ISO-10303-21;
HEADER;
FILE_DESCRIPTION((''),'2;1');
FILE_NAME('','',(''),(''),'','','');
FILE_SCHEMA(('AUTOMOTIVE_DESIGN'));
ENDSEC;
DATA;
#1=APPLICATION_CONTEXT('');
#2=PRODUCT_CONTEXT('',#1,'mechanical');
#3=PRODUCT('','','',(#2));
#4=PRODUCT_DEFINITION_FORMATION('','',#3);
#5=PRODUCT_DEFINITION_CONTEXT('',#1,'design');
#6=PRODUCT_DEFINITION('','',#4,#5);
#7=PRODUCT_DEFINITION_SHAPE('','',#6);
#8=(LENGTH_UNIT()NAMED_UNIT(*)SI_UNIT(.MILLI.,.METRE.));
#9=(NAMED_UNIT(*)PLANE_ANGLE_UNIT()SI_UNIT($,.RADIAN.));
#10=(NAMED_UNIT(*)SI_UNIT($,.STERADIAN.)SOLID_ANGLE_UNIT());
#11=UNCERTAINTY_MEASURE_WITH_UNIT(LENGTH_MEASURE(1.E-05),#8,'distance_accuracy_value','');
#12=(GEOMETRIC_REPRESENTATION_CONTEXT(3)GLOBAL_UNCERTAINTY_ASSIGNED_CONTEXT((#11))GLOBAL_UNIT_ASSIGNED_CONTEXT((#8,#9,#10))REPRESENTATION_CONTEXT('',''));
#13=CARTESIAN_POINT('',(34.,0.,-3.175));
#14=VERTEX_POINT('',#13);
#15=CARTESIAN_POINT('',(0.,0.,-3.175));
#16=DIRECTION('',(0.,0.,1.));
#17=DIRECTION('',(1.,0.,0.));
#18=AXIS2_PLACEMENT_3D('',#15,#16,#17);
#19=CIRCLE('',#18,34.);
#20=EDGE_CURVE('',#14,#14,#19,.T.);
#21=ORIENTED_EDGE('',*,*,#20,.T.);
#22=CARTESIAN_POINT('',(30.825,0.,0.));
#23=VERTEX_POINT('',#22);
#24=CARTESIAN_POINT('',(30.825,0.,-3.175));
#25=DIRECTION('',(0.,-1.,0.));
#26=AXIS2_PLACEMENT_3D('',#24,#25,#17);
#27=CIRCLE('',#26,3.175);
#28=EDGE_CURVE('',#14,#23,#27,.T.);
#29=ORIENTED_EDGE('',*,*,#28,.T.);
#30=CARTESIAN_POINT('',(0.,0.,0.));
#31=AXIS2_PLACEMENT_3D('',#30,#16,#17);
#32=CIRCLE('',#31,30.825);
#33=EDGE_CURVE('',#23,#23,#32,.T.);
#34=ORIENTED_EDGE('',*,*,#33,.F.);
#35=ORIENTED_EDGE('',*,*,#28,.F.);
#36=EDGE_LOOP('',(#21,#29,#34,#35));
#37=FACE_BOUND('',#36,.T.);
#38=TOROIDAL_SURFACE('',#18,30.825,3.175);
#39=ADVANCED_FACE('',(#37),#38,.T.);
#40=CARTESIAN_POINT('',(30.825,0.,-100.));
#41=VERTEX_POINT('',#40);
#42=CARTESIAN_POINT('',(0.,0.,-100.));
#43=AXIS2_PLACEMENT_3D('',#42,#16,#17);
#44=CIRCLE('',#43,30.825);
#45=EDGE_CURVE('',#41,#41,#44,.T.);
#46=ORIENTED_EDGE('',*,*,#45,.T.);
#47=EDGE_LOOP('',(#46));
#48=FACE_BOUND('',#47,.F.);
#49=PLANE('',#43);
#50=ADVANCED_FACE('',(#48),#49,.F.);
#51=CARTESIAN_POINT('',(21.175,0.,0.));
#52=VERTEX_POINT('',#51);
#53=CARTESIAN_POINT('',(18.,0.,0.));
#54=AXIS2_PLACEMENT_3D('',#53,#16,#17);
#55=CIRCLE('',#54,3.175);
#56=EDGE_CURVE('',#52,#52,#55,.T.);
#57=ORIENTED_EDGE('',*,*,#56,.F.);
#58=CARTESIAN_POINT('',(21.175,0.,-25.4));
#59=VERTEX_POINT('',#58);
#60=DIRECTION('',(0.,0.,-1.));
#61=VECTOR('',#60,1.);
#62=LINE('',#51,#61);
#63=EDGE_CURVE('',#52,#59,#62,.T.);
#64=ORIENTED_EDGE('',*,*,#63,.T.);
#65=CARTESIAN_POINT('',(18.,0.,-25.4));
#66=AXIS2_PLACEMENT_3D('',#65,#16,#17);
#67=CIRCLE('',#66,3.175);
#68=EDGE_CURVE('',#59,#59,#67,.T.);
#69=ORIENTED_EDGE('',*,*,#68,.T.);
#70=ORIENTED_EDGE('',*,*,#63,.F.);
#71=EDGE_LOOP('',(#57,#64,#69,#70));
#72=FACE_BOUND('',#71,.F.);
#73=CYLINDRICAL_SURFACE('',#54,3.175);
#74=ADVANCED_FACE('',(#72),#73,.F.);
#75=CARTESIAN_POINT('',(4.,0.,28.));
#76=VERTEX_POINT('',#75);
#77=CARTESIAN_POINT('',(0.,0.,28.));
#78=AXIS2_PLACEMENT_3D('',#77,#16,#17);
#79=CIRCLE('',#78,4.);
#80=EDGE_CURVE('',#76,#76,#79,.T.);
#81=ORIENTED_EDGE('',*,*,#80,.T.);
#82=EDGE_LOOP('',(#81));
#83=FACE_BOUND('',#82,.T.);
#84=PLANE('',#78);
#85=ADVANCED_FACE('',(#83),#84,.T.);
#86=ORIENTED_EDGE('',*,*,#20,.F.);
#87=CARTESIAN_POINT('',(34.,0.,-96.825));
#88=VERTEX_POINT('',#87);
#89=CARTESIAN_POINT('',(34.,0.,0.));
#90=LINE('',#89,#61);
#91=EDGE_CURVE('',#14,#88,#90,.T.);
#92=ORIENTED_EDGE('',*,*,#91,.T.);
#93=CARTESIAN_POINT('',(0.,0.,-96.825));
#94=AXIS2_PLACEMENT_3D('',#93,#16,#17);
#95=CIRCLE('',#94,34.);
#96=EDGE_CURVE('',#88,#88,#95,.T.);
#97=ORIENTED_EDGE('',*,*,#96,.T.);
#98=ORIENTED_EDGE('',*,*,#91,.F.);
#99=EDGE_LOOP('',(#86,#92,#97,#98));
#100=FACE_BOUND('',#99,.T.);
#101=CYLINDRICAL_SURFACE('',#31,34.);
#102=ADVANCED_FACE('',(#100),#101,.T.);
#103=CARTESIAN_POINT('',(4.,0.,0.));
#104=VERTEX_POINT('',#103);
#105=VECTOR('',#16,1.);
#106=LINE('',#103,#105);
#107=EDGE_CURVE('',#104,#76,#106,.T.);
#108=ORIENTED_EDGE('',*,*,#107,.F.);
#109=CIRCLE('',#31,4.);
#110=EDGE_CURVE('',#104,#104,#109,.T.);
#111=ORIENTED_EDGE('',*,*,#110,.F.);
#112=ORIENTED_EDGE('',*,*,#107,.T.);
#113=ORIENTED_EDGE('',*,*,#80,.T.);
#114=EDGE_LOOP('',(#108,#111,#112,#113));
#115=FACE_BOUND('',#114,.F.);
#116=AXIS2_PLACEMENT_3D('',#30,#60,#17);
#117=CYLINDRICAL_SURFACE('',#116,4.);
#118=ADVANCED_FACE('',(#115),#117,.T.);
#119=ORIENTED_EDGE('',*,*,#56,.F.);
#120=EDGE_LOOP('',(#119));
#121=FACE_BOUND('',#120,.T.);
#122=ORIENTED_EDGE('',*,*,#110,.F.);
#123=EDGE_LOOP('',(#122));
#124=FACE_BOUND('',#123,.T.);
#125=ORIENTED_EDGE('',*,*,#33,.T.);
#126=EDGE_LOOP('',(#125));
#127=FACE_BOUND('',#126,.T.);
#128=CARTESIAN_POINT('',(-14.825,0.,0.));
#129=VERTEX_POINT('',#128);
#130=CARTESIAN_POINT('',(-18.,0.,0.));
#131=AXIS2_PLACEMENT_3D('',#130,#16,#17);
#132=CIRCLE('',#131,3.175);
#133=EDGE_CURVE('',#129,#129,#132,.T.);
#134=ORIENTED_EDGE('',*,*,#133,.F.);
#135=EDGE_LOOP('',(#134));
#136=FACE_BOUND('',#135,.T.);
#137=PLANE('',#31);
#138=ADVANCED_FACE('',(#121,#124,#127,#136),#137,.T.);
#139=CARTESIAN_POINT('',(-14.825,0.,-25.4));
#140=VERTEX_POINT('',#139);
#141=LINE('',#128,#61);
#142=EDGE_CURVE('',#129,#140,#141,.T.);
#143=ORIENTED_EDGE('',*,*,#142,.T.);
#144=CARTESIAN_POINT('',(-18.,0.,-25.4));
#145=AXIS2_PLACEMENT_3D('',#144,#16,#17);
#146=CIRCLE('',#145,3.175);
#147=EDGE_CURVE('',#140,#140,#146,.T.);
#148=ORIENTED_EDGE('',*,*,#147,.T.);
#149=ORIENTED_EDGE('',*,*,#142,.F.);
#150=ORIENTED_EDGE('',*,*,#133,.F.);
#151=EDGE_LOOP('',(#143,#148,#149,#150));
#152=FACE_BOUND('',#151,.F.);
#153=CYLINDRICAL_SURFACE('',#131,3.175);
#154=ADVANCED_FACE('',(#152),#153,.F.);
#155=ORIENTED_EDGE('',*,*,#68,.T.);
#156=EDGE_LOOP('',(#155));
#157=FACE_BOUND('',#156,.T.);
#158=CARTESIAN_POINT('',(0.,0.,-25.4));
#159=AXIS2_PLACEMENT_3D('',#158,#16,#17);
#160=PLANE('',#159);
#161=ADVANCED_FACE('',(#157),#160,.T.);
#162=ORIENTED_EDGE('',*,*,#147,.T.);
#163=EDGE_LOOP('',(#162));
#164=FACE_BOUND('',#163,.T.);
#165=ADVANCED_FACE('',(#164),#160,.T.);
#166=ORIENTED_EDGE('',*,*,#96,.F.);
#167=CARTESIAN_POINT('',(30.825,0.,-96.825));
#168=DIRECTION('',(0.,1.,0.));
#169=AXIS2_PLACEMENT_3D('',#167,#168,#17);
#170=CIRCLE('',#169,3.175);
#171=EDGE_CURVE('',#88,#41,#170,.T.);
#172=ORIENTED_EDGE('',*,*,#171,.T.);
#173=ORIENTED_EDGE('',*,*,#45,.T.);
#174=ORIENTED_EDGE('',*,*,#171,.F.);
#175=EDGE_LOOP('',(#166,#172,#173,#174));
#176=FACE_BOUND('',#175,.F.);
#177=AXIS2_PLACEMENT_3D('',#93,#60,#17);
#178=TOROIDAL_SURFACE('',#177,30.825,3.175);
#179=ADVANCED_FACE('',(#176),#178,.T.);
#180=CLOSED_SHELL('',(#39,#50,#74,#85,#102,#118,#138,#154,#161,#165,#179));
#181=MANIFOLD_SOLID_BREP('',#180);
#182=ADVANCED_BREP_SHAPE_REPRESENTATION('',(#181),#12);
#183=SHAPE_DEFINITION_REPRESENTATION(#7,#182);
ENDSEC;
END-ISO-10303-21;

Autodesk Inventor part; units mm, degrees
ref_plane "YZ Plane" through (0, 0, 0) normal (1, 0, 0) x (0, 1, 0)
ref_plane "XZ Plane" through (0, 0, 0) normal (0, 1, 0) x (-1, 0, 0)
ref_plane "XY Plane" through (0, 0, 0) normal (0, 0, 1) x (1, 0, 0)
sketch "Sketch1" plane through (0, 0, 0) normal (0, 0, 1) x (1, 0, 0)
  circle A0 centre (0, 0) radius 34
  circle A1 centre (0, 0) radius 4
  circle A2 centre (-18, 0) radius 3.175
  circle A3 centre (18, 0) radius 3.175
  dimension "d0" = 68
  dimension "d1" = 8
  dimension "d2" = 18
  dimension "d3" = 18
  dimension "d4" = 6.35
extrude "Extrusion1" add sketch "Sketch1" against normal blind 100 contours A0 | A1 | A2 | A3
extrude "Extrusion2" cut sketch "Sketch1" against normal blind 25.4 contours A2 | A3
extrude "Extrusion3" add sketch "Sketch1" along normal blind 28 contours A1
fillet "Fillet1" radius 3.175 2 edges at (-34, 0, 0) (-34, 0, -100)
equation "\"d3\" = d2"
properties part number "DC Brush Motor 24V 150W High Speed Motor with Belt Pulley for DIY Generator Electric Vehicle Motor"
